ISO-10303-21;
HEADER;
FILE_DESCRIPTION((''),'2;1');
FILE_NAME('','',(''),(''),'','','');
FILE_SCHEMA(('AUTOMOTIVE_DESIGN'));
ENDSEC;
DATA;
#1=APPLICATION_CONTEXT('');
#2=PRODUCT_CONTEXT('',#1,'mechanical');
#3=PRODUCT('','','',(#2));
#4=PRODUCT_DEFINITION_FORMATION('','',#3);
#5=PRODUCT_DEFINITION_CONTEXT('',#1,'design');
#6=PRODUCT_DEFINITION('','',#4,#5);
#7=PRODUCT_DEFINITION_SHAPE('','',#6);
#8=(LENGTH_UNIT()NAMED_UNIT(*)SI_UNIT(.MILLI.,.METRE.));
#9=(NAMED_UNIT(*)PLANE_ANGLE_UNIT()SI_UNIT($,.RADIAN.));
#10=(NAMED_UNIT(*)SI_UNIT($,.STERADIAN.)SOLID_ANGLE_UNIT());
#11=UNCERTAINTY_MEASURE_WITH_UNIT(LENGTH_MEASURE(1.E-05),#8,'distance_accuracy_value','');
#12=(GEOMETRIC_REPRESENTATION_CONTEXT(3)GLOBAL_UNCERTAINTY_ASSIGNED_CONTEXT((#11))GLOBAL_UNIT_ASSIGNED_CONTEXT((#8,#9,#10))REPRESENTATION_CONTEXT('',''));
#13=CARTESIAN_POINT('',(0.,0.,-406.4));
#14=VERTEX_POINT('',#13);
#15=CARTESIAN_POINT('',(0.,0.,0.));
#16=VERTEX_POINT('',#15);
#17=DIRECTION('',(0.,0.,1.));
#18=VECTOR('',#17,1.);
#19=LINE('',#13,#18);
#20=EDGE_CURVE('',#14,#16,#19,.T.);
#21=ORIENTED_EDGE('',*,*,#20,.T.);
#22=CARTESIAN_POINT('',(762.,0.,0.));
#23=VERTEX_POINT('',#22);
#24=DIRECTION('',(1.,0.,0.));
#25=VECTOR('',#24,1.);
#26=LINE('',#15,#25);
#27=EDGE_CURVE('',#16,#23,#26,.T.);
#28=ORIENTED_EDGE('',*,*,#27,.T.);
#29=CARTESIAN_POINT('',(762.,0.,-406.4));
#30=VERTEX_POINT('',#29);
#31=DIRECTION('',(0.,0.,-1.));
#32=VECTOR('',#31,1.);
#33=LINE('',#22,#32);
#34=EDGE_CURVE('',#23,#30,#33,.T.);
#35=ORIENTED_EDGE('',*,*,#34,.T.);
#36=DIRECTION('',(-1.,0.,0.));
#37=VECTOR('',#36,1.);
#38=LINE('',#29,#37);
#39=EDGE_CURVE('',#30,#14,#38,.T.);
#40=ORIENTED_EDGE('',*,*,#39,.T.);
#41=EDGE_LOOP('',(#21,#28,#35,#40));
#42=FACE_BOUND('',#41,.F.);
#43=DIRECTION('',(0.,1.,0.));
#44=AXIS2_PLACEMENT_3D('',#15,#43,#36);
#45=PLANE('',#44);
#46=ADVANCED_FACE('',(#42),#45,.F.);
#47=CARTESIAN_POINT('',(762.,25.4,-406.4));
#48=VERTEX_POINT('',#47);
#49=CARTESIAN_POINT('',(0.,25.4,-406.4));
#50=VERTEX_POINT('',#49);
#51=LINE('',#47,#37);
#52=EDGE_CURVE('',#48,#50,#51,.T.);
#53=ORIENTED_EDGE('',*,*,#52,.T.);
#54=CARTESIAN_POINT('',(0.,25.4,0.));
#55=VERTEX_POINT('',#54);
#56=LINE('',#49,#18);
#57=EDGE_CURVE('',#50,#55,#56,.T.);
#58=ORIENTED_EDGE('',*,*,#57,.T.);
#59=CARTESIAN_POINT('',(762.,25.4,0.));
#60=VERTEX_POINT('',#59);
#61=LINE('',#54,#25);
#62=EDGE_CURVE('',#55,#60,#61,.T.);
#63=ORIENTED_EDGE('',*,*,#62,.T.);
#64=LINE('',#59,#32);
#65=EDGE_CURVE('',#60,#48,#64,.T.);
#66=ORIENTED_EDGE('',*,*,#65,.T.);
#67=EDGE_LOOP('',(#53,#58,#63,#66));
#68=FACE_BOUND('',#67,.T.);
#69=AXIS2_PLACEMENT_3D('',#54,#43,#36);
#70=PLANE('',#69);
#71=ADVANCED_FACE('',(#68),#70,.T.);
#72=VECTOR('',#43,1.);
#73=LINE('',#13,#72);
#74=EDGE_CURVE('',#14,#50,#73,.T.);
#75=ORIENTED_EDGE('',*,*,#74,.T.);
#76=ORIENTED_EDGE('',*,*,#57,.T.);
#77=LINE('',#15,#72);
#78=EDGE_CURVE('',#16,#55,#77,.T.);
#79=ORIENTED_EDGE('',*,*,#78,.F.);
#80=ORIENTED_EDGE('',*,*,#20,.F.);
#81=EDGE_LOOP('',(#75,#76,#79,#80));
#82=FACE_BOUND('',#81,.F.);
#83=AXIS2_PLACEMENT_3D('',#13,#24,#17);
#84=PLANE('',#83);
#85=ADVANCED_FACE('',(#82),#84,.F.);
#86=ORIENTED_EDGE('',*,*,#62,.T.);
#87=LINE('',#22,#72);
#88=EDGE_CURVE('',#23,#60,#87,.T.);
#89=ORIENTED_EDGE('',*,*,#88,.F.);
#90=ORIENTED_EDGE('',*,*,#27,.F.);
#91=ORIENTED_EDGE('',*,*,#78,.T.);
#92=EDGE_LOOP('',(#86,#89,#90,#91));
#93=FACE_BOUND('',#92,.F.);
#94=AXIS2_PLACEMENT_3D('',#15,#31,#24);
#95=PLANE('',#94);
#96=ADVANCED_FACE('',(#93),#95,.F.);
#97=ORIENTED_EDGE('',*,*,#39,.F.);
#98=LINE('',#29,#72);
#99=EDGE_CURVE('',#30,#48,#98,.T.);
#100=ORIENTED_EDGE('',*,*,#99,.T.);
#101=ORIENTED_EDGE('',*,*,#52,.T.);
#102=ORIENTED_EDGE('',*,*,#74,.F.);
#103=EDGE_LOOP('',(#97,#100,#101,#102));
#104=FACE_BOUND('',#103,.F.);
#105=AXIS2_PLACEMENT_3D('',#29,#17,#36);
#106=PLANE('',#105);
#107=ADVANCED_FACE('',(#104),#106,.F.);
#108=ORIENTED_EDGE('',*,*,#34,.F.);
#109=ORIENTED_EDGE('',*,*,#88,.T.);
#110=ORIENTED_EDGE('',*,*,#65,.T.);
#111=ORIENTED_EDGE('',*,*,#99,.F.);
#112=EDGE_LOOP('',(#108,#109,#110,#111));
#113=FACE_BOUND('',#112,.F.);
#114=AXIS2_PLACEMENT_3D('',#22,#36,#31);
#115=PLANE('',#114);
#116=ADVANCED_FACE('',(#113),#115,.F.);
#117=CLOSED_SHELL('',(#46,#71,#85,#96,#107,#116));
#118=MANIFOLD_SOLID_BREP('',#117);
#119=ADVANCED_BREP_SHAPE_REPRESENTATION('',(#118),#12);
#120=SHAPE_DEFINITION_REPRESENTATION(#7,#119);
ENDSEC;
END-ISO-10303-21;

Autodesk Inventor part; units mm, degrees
ref_plane "YZ Plane" through (0, 0, 0) normal (1, 0, 0) x (0, 1, 0)
ref_plane "XZ Plane" through (0, 0, 0) normal (0, 1, 0) x (-1, 0, 0)
ref_plane "XY Plane" through (0, 0, 0) normal (0, 0, 1) x (1, 0, 0)
sketch "Sketch2" plane through (0, 0, 0) normal (0, 1, 0) x (-1, 0, 0)
  line L0 (0, 0) -> (-762, 0)
  line L1 (-762, 0) -> (-762, -406.4)
  line L2 (-762, -406.4) -> (0, -406.4)
  line L3 (0, -406.4) -> (0, 0)
  dimension "d3" = 762
  dimension "d4" = 406.4
extrude "Extrusion1" add sketch "Sketch2" along normal blind 25.4
properties part number "Porch_veneer"
